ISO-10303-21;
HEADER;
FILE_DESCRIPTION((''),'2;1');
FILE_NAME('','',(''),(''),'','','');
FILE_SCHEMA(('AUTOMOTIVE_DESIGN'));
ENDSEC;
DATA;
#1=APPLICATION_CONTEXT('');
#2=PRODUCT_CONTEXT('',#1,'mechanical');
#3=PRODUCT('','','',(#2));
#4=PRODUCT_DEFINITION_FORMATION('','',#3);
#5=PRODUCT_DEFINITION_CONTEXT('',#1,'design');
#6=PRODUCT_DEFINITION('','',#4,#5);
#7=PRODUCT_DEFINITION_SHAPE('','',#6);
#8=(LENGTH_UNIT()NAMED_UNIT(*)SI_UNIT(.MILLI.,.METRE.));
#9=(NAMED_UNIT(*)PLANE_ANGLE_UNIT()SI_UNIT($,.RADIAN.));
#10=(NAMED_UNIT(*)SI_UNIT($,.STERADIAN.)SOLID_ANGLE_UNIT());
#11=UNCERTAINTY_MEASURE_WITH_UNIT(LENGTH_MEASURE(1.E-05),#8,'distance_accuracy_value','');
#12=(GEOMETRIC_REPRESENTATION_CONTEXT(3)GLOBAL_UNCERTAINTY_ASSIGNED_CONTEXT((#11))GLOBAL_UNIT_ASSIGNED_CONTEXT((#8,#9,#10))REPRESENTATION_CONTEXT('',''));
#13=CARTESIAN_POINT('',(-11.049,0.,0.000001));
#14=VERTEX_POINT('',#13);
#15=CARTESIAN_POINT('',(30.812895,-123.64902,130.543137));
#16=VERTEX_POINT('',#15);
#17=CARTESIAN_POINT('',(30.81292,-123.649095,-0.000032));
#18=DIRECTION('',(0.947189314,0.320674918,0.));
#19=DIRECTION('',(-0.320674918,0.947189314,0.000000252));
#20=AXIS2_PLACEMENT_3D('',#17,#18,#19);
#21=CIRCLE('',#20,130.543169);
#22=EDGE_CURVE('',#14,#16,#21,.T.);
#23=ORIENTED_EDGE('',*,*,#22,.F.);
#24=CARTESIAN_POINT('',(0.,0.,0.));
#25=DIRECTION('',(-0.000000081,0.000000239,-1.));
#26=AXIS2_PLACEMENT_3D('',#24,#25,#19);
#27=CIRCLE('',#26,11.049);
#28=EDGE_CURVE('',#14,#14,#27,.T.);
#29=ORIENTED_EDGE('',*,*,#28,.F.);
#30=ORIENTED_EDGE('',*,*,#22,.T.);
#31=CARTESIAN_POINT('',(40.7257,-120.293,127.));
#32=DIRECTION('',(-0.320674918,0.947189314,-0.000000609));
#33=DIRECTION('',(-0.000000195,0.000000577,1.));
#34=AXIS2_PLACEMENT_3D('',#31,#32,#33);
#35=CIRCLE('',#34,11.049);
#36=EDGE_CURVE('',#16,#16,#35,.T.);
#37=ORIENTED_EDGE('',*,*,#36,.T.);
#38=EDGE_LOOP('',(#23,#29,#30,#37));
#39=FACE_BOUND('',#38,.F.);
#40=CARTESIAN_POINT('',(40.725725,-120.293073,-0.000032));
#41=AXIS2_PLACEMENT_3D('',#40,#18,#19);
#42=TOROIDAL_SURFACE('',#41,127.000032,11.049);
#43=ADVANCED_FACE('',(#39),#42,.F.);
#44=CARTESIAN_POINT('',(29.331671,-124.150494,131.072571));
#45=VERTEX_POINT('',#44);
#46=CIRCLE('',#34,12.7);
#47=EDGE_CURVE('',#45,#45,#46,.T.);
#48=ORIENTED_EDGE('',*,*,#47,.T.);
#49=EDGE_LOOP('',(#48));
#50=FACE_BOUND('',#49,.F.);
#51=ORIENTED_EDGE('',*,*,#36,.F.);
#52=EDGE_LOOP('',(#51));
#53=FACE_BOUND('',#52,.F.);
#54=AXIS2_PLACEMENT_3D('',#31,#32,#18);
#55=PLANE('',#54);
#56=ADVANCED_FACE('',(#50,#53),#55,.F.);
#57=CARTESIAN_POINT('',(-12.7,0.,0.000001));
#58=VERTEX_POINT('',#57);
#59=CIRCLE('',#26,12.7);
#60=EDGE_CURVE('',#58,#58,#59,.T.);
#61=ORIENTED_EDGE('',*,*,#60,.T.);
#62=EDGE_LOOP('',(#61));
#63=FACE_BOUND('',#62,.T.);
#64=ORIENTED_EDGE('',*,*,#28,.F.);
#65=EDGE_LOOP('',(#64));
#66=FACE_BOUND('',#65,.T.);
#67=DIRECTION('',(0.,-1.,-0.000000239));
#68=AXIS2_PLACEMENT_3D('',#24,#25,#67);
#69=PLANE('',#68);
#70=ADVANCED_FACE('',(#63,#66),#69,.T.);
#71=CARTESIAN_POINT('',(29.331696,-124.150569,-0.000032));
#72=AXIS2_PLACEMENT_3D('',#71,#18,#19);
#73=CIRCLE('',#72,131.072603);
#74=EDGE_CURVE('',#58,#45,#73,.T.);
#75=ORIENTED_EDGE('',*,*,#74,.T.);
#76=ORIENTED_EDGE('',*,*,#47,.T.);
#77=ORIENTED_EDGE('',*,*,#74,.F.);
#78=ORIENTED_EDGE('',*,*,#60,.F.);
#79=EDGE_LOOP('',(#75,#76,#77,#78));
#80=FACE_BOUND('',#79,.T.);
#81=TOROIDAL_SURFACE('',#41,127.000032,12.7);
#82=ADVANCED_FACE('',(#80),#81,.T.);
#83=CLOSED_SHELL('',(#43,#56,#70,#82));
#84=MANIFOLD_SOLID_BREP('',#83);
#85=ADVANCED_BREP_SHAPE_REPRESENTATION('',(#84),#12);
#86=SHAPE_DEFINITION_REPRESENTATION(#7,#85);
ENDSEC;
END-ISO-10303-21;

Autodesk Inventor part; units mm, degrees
sketch "Sketch" plane through (0, 0, 0) normal (0, 0, -1) x (-1, 0, 0)
  circle A0 centre (0, 0) radius 12.7
  circle A1 centre (0, 0) radius 11.049
  dimension "d0" = 25.4
  dimension "d1" = 1.651
ref_plane "Start Plane" through (0, 0, 0) normal (1, 0, 0) x (0, 1, 0)
ref_plane "End Plane" through (199.4911, 0, 0) normal (1, 0, 0) x (0, 1, 0)
sketch "Sketch2" plane through (0, 0, 0) normal (1, 0, 0) x (0, 1, 0)
  line L0 (0, 0) -> (10, 0)
ref_plane "Work Plane3" through (0, 0, 0) normal (0, 0, -1) x (0, 1, 0)
sketch "Sketch3" plane through (0, 0, 0) normal (0, 0, -1) x (0, 1, 0)
  line L0 (-2, 0) -> (12, 0)
  line L1 (-151.7787, 199.4911) -> (40.1131, 199.4911)
  dimension "d9" = 199.4911
ref_plane "Orientation Work Plane" through (0, 0, 0) normal (0, 0, -1) x (-1, 0, 0)
sketch3d "Sweep Path"
  arc A0 (0, 0, 0) -> (40.7257, -120.293, 127) centre (40.7257, -120.293, 0) ccw
sweep "Body" add profiles "Sketch" path "Sweep Path"
equation "\"G_OFFSET_START\" = 0"
equation "\"G_OFFSET_END\" = 0"
equation "\"d5\" = d2 + G_OFFSET_END"
equation "\"G_L\" = d9"
equation "\"d2\" = 199.491133"
properties part number "4130_1x0.065" material "Steel, Alloy"
